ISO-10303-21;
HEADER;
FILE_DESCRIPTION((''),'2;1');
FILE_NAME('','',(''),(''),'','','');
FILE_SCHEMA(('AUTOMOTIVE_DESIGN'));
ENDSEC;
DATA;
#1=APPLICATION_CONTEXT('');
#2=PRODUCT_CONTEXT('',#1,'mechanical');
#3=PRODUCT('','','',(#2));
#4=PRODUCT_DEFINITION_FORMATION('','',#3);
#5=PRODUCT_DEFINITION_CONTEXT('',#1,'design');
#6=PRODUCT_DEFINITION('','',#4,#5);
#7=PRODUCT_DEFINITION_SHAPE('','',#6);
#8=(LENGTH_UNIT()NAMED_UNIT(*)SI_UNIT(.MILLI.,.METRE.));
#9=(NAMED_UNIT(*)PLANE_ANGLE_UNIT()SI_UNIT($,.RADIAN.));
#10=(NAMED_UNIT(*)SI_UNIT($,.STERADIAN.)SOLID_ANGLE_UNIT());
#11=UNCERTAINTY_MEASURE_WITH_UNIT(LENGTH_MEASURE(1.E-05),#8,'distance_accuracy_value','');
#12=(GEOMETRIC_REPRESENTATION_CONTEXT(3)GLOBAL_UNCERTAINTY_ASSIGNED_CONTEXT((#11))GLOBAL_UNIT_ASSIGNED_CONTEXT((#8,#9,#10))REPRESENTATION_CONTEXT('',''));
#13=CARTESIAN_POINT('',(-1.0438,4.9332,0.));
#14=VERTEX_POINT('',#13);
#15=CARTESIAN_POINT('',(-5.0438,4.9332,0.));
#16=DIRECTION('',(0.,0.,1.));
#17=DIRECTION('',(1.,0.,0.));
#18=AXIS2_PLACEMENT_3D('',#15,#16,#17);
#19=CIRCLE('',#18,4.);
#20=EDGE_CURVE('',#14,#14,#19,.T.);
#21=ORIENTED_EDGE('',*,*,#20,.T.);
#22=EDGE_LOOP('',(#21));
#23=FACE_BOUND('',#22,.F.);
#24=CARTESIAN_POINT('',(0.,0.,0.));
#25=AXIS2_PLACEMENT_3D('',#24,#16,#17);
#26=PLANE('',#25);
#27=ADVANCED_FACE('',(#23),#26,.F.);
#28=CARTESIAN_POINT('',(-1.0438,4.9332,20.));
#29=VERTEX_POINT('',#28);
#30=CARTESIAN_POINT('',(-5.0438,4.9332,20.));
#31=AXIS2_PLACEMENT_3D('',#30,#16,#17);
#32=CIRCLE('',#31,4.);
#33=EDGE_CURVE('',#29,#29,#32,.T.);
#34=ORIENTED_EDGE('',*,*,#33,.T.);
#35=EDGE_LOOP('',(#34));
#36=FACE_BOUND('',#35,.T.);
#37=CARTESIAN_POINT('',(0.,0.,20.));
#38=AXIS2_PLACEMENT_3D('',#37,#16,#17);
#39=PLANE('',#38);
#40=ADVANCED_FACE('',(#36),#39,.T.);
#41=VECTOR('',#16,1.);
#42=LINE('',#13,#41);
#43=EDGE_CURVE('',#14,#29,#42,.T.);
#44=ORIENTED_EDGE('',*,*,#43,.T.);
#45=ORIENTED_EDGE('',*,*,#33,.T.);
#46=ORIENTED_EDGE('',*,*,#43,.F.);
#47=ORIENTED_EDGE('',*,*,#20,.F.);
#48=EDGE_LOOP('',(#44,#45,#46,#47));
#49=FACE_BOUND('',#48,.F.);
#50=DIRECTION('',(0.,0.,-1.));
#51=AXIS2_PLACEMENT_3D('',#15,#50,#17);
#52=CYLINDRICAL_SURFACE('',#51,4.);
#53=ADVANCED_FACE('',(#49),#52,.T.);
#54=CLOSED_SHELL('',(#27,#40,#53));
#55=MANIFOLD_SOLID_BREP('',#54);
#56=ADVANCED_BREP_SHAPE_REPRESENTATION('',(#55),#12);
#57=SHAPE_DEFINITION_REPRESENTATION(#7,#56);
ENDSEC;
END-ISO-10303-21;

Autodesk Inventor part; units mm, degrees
ref_plane "YZ Plane" through (0, 0, 0) normal (1, 0, 0) x (0, 1, 0)
ref_plane "XZ Plane" through (0, 0, 0) normal (0, 1, 0) x (-1, 0, 0)
ref_plane "XY Plane" through (0, 0, 0) normal (0, 0, 1) x (1, 0, 0)
sketch "Sketch1" plane through (0, 0, 0) normal (0, 0, 1) x (1, 0, 0)
  circle A0 centre (-5.0438, 4.9332) radius 4
  point P0 (0, 0)
  dimension "d0" = 8
extrude "Extrusion1" add sketch "Sketch1" along normal blind 20
properties part number "boxholder" material "Glass"
